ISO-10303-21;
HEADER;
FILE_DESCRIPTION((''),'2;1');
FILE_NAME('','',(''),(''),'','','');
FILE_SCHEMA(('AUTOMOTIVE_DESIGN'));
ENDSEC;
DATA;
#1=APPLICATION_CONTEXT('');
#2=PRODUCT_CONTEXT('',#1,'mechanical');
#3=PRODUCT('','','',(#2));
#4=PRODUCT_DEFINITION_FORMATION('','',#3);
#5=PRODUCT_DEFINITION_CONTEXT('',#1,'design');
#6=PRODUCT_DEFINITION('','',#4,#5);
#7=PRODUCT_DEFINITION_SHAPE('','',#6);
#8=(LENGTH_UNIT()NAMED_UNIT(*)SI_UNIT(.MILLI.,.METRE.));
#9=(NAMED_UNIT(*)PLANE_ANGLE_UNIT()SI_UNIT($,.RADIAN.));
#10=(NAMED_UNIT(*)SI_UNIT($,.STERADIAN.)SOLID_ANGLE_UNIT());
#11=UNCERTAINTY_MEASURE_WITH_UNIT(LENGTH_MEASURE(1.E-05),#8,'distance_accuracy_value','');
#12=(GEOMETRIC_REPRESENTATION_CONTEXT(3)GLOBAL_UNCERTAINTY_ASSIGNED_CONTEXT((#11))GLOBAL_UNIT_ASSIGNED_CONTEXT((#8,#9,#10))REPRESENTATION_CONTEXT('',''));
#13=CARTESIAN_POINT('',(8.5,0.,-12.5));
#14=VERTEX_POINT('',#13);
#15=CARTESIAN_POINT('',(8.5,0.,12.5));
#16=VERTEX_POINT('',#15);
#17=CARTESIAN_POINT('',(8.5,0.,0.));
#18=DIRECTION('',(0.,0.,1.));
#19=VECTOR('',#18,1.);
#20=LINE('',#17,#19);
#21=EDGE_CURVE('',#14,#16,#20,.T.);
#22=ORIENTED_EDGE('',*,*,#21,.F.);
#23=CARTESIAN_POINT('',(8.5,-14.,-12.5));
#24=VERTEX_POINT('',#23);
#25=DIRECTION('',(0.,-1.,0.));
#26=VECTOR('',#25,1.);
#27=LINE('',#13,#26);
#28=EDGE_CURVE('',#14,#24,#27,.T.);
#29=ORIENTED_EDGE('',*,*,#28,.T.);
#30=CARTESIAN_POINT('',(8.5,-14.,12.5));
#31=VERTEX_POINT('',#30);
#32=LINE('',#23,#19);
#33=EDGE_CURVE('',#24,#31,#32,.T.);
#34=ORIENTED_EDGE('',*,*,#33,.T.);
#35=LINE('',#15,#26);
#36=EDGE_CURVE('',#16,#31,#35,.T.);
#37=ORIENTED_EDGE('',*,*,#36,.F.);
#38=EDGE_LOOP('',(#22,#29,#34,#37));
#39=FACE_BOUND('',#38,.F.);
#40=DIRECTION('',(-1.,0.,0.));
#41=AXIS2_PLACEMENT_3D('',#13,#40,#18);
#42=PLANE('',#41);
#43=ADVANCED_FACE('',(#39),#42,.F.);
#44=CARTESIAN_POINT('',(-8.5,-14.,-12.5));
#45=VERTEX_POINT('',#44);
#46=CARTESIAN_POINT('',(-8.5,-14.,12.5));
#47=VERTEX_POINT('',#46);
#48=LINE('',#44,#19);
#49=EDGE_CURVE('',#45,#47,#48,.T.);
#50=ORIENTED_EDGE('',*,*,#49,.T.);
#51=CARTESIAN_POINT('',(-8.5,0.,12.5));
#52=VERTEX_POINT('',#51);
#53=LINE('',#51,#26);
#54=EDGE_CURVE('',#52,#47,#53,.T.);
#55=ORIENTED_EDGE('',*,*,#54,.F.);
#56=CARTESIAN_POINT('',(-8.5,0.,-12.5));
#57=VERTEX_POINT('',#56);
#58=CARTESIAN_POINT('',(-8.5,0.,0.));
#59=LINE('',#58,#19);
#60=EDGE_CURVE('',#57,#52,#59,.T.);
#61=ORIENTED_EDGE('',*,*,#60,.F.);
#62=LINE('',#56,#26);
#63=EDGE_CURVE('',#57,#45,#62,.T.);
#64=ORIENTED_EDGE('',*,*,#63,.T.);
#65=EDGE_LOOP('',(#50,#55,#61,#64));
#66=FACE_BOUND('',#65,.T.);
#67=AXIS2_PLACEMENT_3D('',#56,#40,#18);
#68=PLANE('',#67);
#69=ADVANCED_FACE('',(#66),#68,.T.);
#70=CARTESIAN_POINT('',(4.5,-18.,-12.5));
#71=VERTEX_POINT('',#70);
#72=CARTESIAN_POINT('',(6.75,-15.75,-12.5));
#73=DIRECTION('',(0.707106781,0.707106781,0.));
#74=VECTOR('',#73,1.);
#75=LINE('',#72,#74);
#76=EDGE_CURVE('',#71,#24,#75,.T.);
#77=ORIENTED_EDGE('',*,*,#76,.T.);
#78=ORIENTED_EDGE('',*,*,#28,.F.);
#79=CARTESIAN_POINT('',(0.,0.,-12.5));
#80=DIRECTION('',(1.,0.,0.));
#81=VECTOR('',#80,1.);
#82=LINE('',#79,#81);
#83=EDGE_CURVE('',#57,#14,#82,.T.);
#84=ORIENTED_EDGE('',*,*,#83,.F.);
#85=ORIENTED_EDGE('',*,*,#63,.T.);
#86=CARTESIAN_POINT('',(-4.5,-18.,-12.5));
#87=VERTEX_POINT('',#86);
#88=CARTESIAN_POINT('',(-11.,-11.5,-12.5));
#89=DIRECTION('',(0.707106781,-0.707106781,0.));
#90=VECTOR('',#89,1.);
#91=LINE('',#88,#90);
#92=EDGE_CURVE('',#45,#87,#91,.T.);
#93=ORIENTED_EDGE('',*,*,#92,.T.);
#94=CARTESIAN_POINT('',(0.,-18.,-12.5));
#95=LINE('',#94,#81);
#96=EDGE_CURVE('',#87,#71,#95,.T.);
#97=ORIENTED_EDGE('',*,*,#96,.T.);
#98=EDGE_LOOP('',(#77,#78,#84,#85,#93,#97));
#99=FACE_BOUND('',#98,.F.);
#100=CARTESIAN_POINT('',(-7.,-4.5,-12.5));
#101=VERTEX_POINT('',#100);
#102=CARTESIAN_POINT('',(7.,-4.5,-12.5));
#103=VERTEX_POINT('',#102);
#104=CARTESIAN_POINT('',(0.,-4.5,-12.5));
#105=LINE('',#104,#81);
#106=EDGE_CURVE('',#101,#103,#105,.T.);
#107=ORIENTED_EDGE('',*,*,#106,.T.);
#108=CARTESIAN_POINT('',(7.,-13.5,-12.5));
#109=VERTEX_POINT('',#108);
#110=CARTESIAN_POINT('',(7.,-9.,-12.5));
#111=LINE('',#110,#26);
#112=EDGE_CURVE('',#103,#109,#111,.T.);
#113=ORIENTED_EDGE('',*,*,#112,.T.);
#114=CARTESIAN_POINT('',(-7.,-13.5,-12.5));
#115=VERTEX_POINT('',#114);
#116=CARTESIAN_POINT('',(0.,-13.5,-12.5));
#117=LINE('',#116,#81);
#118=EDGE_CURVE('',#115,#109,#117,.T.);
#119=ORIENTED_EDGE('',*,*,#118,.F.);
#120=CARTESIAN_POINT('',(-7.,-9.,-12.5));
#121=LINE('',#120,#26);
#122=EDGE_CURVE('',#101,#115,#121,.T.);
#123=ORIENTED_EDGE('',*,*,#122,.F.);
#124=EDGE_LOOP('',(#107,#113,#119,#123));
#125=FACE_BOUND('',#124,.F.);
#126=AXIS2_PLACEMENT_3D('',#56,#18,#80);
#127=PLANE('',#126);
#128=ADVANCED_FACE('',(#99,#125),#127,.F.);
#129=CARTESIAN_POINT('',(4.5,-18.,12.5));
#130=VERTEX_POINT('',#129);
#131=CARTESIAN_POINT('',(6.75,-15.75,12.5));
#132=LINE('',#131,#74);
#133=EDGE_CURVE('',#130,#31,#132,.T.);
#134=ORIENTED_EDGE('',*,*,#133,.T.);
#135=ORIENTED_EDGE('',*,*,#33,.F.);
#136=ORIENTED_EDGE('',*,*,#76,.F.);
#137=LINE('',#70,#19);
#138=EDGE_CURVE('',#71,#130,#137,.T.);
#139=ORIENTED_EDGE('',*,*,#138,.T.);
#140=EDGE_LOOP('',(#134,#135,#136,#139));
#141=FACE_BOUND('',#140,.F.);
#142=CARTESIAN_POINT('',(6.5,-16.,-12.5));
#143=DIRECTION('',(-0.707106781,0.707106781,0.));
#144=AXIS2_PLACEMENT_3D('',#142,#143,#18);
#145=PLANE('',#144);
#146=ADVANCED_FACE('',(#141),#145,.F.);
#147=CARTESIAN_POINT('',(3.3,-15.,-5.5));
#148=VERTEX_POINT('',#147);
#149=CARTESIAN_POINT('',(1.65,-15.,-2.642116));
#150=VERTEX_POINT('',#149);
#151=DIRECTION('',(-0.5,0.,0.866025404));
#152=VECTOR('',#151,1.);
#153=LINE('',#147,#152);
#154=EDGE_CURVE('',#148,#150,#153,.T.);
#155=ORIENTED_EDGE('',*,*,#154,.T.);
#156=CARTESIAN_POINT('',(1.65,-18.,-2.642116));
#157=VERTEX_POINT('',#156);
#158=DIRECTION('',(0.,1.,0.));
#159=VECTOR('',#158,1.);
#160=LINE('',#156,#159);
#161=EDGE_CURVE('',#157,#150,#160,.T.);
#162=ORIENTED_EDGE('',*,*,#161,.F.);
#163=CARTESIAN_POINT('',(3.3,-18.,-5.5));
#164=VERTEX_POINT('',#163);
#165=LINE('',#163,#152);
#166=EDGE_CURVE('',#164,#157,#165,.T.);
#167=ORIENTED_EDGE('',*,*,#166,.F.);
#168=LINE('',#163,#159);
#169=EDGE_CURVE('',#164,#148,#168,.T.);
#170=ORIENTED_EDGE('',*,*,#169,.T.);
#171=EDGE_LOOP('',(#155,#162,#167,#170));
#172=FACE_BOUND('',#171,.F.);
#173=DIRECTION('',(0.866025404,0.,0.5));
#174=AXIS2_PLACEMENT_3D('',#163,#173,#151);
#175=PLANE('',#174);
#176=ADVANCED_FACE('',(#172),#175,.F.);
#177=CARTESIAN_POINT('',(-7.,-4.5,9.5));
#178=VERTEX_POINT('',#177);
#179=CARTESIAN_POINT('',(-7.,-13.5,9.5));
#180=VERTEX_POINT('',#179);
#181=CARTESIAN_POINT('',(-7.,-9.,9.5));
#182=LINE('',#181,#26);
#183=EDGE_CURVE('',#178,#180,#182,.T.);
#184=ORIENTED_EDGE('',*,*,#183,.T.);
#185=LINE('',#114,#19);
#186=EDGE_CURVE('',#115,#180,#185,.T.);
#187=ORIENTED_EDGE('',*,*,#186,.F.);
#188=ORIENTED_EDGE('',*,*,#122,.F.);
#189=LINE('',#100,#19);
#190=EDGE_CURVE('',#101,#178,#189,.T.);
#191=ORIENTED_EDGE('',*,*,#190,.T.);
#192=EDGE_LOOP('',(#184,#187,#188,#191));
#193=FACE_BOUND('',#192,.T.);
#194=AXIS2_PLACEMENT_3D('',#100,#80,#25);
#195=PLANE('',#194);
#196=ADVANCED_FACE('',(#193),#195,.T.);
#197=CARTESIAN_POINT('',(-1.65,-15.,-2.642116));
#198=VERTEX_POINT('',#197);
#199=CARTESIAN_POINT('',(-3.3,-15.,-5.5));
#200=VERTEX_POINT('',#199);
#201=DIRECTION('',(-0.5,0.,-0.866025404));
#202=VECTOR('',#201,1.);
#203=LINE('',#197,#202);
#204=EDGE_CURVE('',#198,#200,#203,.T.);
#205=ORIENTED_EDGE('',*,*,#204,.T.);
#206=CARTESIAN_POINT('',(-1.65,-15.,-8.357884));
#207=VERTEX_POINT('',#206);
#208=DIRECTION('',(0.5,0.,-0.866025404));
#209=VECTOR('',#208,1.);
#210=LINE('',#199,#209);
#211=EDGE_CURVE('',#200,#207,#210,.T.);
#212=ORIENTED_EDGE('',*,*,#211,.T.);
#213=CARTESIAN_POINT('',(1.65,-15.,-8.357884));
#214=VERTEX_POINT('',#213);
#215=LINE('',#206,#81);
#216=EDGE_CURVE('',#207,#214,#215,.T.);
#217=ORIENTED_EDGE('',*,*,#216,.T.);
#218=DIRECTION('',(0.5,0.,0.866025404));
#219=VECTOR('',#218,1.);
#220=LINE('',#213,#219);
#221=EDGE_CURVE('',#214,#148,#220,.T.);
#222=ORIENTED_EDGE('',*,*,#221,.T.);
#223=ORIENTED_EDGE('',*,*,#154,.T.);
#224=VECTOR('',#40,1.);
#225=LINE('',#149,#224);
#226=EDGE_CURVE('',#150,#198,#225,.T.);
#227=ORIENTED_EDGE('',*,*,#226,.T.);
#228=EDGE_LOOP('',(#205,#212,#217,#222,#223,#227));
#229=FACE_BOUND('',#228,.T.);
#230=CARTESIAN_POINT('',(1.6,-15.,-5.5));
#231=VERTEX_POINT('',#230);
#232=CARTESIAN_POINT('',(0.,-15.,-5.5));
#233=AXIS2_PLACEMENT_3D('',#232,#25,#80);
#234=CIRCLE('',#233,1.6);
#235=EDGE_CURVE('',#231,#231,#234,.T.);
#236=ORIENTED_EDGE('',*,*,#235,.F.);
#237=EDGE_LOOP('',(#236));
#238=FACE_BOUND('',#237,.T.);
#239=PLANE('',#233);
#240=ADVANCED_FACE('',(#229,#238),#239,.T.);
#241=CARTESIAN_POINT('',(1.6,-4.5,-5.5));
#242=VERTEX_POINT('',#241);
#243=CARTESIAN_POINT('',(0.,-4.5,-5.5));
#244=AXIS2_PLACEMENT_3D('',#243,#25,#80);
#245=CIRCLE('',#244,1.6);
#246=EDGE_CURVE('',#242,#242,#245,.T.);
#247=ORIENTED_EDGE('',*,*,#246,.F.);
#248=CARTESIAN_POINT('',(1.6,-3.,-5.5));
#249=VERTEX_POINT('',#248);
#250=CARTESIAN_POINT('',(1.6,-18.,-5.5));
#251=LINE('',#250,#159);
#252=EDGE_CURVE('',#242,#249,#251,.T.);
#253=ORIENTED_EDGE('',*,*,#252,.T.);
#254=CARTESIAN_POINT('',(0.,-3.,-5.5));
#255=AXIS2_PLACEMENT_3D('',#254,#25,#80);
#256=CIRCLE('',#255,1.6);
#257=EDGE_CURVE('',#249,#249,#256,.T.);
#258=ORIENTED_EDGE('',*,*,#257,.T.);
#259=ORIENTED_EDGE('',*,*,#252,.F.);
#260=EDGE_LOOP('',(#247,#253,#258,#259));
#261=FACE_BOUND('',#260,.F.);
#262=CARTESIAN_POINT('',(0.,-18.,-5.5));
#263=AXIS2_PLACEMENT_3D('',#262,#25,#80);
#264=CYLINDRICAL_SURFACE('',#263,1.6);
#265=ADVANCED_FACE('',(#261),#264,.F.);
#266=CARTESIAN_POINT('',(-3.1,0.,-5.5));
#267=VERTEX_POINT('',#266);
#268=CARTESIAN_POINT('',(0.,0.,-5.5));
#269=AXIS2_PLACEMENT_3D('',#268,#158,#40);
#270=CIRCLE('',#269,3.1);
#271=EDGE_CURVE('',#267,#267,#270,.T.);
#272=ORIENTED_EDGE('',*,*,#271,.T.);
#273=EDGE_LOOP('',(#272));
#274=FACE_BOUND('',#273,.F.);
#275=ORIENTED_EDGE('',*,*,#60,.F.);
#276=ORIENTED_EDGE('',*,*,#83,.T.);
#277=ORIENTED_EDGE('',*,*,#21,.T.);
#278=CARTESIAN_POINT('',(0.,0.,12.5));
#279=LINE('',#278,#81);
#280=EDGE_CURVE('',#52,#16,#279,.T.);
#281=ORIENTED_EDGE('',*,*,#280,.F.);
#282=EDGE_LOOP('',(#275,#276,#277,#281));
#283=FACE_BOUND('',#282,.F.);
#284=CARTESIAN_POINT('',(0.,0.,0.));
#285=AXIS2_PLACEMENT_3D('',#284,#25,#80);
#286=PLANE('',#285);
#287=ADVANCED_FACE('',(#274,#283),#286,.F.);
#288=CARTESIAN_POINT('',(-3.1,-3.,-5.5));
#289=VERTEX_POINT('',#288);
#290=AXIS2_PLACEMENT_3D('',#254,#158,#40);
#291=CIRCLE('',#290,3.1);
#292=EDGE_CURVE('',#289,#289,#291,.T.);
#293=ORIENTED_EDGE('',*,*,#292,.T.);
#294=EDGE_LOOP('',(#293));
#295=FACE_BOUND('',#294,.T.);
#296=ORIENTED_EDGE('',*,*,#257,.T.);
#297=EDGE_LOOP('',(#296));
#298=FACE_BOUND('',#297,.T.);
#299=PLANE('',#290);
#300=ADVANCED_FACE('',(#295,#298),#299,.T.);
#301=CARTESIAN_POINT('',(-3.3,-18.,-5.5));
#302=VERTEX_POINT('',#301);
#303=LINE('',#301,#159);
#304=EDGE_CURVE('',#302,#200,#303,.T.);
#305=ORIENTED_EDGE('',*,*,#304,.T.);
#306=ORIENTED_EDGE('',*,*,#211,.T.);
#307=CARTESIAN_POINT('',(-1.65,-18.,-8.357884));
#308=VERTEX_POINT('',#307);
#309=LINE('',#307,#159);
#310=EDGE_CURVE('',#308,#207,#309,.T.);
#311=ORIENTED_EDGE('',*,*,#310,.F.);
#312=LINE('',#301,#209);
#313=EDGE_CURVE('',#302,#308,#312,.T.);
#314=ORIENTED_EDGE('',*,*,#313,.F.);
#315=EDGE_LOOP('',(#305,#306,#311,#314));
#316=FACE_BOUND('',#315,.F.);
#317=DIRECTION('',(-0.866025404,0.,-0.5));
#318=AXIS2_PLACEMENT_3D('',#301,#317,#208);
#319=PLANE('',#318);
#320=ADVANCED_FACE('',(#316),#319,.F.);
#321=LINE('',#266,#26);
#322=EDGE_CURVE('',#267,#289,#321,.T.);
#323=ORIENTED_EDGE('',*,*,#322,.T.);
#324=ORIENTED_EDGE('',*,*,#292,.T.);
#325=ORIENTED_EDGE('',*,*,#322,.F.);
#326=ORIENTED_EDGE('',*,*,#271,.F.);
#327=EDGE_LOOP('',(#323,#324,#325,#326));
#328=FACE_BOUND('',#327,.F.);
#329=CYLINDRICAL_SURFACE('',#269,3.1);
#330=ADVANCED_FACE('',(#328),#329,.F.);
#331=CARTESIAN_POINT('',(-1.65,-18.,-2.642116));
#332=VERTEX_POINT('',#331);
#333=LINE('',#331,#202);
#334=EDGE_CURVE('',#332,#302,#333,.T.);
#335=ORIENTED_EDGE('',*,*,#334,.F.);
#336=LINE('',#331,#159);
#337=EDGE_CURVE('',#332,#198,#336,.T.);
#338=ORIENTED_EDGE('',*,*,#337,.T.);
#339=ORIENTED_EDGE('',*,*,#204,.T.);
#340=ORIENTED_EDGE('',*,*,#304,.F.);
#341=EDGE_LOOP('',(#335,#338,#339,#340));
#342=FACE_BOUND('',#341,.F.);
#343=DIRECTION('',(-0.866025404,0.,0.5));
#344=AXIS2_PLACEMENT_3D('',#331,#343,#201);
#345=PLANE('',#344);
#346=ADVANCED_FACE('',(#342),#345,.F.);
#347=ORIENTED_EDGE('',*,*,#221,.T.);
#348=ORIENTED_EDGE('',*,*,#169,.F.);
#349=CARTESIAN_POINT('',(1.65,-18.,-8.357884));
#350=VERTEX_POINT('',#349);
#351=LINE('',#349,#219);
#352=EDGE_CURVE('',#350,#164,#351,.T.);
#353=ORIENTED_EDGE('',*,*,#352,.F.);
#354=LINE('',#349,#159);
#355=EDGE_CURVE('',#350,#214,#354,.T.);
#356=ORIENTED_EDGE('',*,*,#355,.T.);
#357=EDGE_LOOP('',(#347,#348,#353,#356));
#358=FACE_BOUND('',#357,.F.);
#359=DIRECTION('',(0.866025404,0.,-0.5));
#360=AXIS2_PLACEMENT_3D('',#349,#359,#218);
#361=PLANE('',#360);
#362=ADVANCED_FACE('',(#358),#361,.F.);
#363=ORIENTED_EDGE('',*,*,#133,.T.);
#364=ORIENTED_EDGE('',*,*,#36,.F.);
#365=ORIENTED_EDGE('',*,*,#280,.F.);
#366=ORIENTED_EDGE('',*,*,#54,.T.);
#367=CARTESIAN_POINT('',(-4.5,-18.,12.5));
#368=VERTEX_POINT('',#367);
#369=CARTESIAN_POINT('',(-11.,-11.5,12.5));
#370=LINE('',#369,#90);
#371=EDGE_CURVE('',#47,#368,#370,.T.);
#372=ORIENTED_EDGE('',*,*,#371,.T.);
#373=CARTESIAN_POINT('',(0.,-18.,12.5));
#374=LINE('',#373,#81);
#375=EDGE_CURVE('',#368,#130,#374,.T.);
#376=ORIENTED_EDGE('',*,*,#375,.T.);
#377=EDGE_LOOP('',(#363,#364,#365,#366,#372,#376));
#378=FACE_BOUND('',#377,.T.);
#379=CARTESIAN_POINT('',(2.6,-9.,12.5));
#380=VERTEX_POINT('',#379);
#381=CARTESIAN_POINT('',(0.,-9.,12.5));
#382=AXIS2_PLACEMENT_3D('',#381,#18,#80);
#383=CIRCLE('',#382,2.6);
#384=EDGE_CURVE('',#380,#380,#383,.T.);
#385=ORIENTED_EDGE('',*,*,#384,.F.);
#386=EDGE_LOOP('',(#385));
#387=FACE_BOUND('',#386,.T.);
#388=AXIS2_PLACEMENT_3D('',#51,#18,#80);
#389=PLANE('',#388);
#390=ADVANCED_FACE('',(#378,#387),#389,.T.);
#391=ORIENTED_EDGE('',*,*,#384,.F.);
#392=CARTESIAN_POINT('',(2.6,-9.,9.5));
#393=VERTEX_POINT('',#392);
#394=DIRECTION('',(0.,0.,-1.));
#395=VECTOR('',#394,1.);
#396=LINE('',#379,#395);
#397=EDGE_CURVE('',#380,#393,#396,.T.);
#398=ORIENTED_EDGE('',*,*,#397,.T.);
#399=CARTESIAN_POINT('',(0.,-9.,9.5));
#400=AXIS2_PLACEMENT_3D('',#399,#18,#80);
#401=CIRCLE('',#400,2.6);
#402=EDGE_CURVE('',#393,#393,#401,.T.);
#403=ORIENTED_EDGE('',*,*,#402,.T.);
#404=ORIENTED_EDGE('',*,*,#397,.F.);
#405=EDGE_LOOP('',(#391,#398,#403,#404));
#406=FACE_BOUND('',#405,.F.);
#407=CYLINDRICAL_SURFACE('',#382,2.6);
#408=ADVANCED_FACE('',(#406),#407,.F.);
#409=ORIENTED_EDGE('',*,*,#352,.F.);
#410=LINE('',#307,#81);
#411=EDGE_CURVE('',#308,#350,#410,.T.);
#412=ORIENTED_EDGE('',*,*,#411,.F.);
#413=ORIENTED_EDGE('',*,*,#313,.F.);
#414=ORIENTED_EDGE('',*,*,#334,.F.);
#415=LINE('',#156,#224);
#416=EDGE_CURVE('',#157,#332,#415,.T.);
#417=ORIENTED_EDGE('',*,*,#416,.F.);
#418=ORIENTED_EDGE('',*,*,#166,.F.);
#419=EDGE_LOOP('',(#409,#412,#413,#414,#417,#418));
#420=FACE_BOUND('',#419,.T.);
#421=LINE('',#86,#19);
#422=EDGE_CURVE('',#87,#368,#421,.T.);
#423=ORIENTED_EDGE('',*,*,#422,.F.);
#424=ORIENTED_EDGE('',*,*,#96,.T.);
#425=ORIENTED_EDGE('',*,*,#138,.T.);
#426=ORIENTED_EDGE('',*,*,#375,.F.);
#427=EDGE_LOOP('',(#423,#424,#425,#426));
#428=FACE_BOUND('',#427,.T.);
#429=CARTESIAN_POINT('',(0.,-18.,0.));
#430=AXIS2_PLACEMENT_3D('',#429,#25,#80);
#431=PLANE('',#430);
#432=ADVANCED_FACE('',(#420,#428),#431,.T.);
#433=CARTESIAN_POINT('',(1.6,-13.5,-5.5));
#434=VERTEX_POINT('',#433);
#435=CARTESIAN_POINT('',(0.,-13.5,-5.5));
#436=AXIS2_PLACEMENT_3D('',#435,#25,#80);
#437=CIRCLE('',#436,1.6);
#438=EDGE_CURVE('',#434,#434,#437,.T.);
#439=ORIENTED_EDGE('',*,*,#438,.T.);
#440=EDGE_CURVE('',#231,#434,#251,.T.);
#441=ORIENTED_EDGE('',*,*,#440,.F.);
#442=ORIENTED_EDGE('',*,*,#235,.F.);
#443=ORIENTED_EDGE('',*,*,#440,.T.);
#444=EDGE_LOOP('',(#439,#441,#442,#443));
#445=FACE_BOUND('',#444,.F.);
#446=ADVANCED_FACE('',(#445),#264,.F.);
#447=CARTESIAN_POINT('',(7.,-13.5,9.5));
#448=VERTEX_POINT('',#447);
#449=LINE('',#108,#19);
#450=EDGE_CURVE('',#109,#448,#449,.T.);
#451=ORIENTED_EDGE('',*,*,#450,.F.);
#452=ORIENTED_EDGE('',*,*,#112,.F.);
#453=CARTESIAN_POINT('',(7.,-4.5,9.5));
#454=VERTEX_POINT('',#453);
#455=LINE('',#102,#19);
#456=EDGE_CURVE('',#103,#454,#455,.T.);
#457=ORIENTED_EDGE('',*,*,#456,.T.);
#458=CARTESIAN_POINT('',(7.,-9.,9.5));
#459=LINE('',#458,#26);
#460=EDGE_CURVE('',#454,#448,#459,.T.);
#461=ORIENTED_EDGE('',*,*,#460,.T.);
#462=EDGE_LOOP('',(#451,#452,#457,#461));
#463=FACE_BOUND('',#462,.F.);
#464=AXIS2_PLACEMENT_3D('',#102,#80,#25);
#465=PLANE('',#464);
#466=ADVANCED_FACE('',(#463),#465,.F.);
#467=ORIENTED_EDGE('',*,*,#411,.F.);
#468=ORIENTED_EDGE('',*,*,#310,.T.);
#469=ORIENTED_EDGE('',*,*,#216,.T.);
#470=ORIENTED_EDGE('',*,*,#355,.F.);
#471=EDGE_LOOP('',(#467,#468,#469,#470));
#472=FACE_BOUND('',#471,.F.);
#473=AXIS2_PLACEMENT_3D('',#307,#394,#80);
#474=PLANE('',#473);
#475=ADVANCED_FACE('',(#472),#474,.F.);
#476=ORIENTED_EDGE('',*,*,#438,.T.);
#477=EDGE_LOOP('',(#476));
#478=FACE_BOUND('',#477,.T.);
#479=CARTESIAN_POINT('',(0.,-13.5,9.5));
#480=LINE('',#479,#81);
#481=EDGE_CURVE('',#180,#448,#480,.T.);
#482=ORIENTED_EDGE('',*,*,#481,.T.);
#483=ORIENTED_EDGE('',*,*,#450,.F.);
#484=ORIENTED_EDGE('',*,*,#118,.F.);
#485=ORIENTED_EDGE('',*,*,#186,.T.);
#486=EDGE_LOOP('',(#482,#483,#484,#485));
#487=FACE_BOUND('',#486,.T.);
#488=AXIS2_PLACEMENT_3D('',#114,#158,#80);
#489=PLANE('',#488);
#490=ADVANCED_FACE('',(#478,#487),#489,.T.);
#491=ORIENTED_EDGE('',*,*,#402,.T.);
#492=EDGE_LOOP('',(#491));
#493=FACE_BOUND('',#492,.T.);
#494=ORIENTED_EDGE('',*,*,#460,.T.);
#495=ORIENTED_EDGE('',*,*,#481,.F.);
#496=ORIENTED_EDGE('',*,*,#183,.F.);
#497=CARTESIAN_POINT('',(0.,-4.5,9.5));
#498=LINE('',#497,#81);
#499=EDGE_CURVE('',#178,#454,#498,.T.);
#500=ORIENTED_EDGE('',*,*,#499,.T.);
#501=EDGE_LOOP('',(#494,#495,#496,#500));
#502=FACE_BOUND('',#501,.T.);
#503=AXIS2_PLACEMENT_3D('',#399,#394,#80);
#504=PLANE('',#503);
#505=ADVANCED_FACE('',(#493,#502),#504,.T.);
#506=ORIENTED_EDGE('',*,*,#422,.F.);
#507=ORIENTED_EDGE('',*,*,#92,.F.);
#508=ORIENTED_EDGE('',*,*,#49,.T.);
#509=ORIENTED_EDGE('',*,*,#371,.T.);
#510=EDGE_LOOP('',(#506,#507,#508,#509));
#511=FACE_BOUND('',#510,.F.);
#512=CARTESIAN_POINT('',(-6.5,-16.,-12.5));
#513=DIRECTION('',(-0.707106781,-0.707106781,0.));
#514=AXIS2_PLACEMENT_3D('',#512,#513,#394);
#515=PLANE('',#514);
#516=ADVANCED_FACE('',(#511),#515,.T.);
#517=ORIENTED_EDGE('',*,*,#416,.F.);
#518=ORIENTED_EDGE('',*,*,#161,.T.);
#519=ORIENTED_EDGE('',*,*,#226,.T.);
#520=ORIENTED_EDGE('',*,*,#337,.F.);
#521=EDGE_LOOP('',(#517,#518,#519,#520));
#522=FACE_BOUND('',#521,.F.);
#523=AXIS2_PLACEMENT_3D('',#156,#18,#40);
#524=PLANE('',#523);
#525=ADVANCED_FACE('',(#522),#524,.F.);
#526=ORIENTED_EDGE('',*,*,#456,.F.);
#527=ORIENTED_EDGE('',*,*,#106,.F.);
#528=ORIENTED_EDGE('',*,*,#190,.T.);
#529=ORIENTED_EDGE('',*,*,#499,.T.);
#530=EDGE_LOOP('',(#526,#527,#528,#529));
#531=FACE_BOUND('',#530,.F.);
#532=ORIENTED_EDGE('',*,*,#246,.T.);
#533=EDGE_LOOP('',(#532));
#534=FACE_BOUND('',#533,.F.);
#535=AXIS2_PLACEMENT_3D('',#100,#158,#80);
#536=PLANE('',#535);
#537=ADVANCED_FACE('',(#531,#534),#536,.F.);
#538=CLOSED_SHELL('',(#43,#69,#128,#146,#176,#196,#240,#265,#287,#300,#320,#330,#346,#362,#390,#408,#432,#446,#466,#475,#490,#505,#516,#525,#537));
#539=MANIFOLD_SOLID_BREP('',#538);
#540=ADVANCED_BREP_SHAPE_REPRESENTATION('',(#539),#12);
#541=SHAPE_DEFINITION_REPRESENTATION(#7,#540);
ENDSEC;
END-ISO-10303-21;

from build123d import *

# Parameters (mm, degrees)
F0_W      = 17
F0_H      = 25
F1_DEPTH  = 18
F2_W      = 14
F2_H      = 9
F3_DEPTH  = 22
F4_R      = 1.6
F5_DEPTH  = 25
F6_R      = 2.6
F7_DEPTH  = 25
F8_R      = 3.1
F9_DEPTH  = 3
F11_DEPTH = 3
F12_SIZE  = 4


with BuildPart() as f1:
    # F0 (on Front) → F1 (new body)
    with BuildSketch(Plane.XZ):
        Rectangle(F0_W, F0_H)
    extrude(amount=F1_DEPTH)

    # F2 (on face) → F3 (cut, through all)
    with BuildSketch(Plane(origin=(0, 0, -12.5), x_dir=(1, 0, 0), z_dir=(0, 0, -1))):
        with Locations((0, 9)):
            Rectangle(F2_W, F2_H)
    extrude(amount=-F3_DEPTH, mode=Mode.SUBTRACT)

    # F4 (on face) → F5 (cut)
    with BuildSketch(Plane.XZ.offset(18)):
        with Locations((0, -5.5)):
            Circle(F4_R)
    extrude(amount=-F5_DEPTH, mode=Mode.SUBTRACT)

    # F6 (on face) → F7 (cut)
    with BuildSketch(Plane.XY.offset(12.5)):
        with Locations((0, -9)):
            Circle(F6_R)
    extrude(amount=-F7_DEPTH, mode=Mode.SUBTRACT)

    # F8 (on face) → F9 (cut)
    with BuildSketch(Plane(origin=(0, 0, 0), x_dir=(-1, 0, 0), z_dir=(0, 1, 0))):
        with Locations((0, -5.5)):
            Circle(F8_R)
    extrude(amount=-F9_DEPTH, mode=Mode.SUBTRACT)

    # F10 (on face) → F11 (cut)
    with BuildSketch(Plane.XZ.offset(18)):
        Polygon((-1.65, -8.3578838325), (1.65, -8.3578838325), (3.3, -5.5), (1.65, -2.6421161675), (-1.65, -2.6421161675), (-3.3, -5.5), align=None)
    extrude(amount=-F11_DEPTH, mode=Mode.SUBTRACT)

    # F12
    f12_edges = [f1.edges().sort_by_distance(p)[0] for p in [
        (8.5, -18, 0),
        (-8.5, -18, 0),
    ]]
    chamfer(f12_edges, length=F12_SIZE)


solid = f1.part
